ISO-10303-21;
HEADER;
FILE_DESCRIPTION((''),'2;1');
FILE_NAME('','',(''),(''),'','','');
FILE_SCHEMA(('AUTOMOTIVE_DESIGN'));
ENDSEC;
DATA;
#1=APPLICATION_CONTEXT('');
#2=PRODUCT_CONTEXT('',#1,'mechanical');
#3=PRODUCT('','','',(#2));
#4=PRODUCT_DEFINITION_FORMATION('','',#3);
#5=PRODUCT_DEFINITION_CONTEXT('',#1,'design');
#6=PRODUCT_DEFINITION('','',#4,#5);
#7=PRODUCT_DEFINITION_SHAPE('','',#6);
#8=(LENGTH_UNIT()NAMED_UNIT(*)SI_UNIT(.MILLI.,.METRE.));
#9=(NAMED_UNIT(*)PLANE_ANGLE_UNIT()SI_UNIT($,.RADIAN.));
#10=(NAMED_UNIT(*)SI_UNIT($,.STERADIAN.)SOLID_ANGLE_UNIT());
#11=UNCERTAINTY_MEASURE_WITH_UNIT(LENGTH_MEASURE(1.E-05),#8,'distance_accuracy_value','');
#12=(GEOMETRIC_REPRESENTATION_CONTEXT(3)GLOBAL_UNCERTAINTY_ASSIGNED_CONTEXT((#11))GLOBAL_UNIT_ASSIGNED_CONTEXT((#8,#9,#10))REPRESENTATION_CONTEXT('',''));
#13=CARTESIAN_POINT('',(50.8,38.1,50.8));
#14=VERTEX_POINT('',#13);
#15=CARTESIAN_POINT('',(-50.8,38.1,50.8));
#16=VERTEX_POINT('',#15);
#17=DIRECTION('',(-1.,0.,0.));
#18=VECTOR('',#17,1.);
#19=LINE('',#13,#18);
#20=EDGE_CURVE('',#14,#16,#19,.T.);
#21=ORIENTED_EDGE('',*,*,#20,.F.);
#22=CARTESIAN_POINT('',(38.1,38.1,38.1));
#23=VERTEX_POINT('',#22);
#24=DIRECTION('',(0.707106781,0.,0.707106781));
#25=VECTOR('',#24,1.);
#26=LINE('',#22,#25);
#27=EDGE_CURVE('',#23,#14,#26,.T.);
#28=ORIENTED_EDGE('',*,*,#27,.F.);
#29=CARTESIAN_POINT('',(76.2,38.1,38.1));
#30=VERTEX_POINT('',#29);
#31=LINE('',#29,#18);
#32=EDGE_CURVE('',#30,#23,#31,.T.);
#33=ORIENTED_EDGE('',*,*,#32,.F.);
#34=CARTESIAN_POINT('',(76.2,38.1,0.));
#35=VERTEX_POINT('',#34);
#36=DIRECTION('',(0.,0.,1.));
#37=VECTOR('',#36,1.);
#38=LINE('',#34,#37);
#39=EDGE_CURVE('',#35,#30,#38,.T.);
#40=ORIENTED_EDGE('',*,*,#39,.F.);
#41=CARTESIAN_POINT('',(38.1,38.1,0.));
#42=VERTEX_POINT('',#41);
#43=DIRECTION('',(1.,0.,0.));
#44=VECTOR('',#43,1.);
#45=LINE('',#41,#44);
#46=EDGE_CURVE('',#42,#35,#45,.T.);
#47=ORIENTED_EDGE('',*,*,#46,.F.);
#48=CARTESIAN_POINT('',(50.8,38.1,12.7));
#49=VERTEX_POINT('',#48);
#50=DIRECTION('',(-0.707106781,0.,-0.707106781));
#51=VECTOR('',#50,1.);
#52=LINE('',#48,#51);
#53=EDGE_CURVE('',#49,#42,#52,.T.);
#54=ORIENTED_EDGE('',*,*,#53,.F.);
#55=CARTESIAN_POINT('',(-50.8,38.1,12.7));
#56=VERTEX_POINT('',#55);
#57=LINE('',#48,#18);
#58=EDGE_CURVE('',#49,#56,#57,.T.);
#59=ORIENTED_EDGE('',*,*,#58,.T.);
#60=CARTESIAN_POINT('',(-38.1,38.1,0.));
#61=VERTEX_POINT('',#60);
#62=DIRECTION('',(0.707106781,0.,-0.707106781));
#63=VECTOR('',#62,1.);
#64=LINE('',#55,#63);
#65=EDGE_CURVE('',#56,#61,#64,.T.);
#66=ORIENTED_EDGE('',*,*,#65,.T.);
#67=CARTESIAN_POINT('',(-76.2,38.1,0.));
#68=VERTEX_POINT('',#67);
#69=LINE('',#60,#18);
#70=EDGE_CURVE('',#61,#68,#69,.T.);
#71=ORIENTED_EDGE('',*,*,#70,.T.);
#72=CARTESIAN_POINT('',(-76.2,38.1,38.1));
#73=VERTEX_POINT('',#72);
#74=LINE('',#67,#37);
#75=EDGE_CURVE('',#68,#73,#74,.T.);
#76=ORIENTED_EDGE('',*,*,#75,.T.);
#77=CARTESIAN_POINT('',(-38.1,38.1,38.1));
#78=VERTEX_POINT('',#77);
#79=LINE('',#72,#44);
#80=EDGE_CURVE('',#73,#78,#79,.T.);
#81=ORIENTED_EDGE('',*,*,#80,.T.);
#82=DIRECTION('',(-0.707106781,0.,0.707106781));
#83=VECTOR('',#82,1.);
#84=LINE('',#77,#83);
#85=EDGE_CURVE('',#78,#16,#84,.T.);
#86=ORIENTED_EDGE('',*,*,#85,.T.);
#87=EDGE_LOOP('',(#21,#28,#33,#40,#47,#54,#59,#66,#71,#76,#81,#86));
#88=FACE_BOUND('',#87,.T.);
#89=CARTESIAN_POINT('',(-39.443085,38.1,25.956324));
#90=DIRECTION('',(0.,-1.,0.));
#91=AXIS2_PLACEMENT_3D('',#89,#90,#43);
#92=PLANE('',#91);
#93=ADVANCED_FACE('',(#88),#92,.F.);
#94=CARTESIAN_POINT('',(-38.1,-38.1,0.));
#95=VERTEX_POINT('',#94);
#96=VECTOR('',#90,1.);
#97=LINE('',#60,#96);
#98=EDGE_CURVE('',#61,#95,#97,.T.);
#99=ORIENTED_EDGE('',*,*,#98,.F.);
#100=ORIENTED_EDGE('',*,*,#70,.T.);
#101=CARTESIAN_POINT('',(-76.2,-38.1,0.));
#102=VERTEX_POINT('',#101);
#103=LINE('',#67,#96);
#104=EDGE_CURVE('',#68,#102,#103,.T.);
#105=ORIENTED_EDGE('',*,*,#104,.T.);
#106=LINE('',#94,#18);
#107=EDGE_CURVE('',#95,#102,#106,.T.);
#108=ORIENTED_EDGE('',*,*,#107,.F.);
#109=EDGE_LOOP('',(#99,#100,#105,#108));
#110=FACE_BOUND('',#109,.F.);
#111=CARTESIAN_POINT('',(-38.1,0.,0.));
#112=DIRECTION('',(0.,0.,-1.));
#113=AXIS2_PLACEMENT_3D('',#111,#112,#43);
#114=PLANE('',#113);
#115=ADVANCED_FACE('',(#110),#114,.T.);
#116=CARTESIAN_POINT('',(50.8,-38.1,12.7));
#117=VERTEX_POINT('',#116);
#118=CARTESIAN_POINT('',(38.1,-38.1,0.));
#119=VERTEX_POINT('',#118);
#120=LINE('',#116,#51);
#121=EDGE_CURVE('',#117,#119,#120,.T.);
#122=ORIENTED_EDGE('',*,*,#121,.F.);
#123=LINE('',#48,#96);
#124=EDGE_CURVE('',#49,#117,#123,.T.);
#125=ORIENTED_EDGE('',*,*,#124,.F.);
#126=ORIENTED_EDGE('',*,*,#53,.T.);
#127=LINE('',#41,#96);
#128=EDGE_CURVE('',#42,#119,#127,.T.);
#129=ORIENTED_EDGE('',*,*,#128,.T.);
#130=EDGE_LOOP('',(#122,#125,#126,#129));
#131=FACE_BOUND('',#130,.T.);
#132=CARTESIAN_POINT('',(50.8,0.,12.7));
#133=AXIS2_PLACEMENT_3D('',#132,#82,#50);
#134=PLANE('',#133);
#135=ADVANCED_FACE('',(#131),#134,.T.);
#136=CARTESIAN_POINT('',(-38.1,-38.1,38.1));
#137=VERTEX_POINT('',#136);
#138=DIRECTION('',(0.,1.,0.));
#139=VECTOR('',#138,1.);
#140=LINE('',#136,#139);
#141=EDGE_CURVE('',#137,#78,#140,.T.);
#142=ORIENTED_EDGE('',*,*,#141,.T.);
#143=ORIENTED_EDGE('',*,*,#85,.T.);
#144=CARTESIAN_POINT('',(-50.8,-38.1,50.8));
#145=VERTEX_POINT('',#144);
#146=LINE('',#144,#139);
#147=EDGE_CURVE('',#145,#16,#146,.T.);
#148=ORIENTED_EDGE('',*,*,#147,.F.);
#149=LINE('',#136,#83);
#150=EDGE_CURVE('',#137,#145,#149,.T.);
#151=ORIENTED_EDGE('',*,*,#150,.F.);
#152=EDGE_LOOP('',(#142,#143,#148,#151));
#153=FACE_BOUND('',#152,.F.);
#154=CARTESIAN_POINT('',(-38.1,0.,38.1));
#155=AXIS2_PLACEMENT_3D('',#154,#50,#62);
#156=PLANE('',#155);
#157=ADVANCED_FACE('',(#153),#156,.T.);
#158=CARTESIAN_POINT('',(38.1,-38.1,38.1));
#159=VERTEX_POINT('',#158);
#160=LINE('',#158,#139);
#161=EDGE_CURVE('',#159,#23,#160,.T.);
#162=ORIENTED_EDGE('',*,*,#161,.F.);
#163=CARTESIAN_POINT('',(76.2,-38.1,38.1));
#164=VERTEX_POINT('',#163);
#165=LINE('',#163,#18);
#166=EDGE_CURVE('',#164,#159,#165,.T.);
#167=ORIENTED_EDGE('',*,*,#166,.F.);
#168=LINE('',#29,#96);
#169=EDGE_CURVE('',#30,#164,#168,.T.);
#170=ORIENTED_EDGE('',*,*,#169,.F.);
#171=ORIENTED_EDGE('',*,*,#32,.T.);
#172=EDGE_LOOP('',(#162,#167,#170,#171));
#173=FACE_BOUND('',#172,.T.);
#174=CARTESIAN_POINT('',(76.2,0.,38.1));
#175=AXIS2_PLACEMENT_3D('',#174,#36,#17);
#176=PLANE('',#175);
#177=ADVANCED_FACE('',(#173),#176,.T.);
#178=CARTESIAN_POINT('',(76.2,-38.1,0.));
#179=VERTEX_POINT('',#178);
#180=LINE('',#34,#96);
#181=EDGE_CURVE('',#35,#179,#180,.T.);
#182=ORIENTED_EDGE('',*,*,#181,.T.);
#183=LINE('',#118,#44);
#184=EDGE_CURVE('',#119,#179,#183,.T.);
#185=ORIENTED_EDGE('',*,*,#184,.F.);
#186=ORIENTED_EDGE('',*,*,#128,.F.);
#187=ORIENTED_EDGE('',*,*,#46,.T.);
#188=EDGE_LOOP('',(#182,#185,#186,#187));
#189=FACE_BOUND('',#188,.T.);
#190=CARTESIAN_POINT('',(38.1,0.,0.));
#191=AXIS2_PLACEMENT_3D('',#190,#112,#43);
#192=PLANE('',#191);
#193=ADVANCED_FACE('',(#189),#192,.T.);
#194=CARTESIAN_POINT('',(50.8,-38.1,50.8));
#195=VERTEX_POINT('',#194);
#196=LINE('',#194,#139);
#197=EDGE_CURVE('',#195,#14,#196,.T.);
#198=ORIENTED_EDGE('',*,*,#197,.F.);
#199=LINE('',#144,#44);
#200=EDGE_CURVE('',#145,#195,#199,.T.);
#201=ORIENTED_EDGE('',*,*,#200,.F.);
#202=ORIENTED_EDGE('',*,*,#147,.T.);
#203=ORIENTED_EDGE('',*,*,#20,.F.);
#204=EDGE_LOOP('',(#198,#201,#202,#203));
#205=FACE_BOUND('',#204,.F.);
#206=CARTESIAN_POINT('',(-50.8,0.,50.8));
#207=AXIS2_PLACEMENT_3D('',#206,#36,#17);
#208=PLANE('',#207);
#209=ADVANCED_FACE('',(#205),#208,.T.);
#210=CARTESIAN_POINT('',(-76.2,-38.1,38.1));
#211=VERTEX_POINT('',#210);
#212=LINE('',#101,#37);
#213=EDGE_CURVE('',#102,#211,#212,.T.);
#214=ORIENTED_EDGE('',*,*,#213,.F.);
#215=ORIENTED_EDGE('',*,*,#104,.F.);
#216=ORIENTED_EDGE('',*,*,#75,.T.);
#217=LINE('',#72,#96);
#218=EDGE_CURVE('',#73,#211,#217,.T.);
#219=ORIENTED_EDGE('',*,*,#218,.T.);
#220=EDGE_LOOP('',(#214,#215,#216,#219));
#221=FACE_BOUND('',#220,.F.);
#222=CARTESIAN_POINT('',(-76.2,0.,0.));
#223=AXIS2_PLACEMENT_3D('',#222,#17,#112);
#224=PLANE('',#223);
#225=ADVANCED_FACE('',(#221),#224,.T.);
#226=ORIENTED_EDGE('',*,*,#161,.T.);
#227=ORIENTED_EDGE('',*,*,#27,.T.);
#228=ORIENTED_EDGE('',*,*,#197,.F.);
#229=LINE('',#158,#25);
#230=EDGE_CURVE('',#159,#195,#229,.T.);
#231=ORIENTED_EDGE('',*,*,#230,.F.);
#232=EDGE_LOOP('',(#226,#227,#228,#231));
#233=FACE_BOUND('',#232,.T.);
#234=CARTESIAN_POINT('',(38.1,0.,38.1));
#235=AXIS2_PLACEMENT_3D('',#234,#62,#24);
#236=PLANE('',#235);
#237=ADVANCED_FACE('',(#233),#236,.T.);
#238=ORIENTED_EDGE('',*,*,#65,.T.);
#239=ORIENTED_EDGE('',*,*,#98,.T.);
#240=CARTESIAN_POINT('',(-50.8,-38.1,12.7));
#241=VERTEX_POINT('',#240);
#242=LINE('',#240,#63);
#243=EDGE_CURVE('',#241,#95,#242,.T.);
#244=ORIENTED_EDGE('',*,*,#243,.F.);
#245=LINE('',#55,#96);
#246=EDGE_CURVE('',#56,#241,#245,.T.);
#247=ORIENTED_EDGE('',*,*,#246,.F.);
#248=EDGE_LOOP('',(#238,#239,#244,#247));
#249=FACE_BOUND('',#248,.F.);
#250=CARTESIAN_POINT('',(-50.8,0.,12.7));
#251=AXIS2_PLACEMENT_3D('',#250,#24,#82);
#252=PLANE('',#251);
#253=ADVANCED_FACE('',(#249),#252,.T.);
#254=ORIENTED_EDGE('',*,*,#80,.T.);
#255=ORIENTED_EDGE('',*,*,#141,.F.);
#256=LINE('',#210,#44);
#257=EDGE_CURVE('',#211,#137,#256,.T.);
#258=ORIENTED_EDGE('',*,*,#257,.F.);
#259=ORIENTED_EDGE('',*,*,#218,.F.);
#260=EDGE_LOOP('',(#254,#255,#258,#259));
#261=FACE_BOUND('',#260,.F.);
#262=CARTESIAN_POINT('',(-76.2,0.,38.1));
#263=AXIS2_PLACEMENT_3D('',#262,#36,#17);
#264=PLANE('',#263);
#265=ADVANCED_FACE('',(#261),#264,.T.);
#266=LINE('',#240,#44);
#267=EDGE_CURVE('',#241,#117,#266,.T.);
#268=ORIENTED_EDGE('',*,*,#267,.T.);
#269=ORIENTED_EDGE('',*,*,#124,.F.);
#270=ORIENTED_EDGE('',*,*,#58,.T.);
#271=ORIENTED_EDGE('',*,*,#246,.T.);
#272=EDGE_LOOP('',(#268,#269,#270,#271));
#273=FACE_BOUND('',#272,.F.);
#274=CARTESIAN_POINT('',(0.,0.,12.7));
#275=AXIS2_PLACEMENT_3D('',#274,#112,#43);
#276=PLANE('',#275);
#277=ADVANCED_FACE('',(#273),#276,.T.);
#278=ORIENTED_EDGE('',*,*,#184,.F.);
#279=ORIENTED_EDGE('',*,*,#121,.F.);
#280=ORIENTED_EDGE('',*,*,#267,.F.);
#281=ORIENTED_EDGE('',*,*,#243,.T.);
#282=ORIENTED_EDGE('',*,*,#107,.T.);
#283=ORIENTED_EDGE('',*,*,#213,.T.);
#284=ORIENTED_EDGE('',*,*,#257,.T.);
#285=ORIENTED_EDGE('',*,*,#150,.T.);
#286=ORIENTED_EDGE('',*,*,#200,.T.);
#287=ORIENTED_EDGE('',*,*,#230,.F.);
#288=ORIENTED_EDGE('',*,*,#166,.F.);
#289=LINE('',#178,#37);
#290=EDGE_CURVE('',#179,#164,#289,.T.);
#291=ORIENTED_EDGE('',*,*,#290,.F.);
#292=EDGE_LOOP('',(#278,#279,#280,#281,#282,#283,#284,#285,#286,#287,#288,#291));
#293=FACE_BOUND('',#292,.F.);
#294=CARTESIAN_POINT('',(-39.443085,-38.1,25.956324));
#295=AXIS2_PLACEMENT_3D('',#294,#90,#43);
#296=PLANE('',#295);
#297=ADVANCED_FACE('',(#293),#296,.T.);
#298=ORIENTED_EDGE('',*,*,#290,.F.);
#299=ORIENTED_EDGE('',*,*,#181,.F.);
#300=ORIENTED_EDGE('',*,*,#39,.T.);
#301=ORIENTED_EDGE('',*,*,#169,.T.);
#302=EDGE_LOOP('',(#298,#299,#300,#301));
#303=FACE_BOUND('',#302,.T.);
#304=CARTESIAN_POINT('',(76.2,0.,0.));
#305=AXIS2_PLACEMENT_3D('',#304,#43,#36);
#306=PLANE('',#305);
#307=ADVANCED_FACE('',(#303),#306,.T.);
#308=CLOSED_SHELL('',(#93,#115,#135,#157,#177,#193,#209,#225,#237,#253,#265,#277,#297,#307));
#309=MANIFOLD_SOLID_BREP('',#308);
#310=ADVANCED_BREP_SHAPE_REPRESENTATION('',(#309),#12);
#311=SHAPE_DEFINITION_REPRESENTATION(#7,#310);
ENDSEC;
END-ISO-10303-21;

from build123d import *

# Parameters (mm, degrees)
F1_DEPTH = 38.1


with BuildPart() as f1:
    # F0 (on Front) → F1 (new body, symmetric)
    with BuildSketch(Plane.XZ):
        Polygon((0, 50.8), (0, 12.7), (50.8, 12.7), (38.1, 0), (76.2, 0), (76.2, 38.1), (38.1, 38.1), (50.8, 50.8), align=None)
    extrude(amount=F1_DEPTH, both=True)

    # F2: F1 across face


with BuildPart() as f1_1:
    add(f1.part)
    add(f1.part.mirror(Plane(origin=(0, 0, 31.75), x_dir=(0, -1, 0), z_dir=(-1, 0, 0))))


solid = f1_1.part
